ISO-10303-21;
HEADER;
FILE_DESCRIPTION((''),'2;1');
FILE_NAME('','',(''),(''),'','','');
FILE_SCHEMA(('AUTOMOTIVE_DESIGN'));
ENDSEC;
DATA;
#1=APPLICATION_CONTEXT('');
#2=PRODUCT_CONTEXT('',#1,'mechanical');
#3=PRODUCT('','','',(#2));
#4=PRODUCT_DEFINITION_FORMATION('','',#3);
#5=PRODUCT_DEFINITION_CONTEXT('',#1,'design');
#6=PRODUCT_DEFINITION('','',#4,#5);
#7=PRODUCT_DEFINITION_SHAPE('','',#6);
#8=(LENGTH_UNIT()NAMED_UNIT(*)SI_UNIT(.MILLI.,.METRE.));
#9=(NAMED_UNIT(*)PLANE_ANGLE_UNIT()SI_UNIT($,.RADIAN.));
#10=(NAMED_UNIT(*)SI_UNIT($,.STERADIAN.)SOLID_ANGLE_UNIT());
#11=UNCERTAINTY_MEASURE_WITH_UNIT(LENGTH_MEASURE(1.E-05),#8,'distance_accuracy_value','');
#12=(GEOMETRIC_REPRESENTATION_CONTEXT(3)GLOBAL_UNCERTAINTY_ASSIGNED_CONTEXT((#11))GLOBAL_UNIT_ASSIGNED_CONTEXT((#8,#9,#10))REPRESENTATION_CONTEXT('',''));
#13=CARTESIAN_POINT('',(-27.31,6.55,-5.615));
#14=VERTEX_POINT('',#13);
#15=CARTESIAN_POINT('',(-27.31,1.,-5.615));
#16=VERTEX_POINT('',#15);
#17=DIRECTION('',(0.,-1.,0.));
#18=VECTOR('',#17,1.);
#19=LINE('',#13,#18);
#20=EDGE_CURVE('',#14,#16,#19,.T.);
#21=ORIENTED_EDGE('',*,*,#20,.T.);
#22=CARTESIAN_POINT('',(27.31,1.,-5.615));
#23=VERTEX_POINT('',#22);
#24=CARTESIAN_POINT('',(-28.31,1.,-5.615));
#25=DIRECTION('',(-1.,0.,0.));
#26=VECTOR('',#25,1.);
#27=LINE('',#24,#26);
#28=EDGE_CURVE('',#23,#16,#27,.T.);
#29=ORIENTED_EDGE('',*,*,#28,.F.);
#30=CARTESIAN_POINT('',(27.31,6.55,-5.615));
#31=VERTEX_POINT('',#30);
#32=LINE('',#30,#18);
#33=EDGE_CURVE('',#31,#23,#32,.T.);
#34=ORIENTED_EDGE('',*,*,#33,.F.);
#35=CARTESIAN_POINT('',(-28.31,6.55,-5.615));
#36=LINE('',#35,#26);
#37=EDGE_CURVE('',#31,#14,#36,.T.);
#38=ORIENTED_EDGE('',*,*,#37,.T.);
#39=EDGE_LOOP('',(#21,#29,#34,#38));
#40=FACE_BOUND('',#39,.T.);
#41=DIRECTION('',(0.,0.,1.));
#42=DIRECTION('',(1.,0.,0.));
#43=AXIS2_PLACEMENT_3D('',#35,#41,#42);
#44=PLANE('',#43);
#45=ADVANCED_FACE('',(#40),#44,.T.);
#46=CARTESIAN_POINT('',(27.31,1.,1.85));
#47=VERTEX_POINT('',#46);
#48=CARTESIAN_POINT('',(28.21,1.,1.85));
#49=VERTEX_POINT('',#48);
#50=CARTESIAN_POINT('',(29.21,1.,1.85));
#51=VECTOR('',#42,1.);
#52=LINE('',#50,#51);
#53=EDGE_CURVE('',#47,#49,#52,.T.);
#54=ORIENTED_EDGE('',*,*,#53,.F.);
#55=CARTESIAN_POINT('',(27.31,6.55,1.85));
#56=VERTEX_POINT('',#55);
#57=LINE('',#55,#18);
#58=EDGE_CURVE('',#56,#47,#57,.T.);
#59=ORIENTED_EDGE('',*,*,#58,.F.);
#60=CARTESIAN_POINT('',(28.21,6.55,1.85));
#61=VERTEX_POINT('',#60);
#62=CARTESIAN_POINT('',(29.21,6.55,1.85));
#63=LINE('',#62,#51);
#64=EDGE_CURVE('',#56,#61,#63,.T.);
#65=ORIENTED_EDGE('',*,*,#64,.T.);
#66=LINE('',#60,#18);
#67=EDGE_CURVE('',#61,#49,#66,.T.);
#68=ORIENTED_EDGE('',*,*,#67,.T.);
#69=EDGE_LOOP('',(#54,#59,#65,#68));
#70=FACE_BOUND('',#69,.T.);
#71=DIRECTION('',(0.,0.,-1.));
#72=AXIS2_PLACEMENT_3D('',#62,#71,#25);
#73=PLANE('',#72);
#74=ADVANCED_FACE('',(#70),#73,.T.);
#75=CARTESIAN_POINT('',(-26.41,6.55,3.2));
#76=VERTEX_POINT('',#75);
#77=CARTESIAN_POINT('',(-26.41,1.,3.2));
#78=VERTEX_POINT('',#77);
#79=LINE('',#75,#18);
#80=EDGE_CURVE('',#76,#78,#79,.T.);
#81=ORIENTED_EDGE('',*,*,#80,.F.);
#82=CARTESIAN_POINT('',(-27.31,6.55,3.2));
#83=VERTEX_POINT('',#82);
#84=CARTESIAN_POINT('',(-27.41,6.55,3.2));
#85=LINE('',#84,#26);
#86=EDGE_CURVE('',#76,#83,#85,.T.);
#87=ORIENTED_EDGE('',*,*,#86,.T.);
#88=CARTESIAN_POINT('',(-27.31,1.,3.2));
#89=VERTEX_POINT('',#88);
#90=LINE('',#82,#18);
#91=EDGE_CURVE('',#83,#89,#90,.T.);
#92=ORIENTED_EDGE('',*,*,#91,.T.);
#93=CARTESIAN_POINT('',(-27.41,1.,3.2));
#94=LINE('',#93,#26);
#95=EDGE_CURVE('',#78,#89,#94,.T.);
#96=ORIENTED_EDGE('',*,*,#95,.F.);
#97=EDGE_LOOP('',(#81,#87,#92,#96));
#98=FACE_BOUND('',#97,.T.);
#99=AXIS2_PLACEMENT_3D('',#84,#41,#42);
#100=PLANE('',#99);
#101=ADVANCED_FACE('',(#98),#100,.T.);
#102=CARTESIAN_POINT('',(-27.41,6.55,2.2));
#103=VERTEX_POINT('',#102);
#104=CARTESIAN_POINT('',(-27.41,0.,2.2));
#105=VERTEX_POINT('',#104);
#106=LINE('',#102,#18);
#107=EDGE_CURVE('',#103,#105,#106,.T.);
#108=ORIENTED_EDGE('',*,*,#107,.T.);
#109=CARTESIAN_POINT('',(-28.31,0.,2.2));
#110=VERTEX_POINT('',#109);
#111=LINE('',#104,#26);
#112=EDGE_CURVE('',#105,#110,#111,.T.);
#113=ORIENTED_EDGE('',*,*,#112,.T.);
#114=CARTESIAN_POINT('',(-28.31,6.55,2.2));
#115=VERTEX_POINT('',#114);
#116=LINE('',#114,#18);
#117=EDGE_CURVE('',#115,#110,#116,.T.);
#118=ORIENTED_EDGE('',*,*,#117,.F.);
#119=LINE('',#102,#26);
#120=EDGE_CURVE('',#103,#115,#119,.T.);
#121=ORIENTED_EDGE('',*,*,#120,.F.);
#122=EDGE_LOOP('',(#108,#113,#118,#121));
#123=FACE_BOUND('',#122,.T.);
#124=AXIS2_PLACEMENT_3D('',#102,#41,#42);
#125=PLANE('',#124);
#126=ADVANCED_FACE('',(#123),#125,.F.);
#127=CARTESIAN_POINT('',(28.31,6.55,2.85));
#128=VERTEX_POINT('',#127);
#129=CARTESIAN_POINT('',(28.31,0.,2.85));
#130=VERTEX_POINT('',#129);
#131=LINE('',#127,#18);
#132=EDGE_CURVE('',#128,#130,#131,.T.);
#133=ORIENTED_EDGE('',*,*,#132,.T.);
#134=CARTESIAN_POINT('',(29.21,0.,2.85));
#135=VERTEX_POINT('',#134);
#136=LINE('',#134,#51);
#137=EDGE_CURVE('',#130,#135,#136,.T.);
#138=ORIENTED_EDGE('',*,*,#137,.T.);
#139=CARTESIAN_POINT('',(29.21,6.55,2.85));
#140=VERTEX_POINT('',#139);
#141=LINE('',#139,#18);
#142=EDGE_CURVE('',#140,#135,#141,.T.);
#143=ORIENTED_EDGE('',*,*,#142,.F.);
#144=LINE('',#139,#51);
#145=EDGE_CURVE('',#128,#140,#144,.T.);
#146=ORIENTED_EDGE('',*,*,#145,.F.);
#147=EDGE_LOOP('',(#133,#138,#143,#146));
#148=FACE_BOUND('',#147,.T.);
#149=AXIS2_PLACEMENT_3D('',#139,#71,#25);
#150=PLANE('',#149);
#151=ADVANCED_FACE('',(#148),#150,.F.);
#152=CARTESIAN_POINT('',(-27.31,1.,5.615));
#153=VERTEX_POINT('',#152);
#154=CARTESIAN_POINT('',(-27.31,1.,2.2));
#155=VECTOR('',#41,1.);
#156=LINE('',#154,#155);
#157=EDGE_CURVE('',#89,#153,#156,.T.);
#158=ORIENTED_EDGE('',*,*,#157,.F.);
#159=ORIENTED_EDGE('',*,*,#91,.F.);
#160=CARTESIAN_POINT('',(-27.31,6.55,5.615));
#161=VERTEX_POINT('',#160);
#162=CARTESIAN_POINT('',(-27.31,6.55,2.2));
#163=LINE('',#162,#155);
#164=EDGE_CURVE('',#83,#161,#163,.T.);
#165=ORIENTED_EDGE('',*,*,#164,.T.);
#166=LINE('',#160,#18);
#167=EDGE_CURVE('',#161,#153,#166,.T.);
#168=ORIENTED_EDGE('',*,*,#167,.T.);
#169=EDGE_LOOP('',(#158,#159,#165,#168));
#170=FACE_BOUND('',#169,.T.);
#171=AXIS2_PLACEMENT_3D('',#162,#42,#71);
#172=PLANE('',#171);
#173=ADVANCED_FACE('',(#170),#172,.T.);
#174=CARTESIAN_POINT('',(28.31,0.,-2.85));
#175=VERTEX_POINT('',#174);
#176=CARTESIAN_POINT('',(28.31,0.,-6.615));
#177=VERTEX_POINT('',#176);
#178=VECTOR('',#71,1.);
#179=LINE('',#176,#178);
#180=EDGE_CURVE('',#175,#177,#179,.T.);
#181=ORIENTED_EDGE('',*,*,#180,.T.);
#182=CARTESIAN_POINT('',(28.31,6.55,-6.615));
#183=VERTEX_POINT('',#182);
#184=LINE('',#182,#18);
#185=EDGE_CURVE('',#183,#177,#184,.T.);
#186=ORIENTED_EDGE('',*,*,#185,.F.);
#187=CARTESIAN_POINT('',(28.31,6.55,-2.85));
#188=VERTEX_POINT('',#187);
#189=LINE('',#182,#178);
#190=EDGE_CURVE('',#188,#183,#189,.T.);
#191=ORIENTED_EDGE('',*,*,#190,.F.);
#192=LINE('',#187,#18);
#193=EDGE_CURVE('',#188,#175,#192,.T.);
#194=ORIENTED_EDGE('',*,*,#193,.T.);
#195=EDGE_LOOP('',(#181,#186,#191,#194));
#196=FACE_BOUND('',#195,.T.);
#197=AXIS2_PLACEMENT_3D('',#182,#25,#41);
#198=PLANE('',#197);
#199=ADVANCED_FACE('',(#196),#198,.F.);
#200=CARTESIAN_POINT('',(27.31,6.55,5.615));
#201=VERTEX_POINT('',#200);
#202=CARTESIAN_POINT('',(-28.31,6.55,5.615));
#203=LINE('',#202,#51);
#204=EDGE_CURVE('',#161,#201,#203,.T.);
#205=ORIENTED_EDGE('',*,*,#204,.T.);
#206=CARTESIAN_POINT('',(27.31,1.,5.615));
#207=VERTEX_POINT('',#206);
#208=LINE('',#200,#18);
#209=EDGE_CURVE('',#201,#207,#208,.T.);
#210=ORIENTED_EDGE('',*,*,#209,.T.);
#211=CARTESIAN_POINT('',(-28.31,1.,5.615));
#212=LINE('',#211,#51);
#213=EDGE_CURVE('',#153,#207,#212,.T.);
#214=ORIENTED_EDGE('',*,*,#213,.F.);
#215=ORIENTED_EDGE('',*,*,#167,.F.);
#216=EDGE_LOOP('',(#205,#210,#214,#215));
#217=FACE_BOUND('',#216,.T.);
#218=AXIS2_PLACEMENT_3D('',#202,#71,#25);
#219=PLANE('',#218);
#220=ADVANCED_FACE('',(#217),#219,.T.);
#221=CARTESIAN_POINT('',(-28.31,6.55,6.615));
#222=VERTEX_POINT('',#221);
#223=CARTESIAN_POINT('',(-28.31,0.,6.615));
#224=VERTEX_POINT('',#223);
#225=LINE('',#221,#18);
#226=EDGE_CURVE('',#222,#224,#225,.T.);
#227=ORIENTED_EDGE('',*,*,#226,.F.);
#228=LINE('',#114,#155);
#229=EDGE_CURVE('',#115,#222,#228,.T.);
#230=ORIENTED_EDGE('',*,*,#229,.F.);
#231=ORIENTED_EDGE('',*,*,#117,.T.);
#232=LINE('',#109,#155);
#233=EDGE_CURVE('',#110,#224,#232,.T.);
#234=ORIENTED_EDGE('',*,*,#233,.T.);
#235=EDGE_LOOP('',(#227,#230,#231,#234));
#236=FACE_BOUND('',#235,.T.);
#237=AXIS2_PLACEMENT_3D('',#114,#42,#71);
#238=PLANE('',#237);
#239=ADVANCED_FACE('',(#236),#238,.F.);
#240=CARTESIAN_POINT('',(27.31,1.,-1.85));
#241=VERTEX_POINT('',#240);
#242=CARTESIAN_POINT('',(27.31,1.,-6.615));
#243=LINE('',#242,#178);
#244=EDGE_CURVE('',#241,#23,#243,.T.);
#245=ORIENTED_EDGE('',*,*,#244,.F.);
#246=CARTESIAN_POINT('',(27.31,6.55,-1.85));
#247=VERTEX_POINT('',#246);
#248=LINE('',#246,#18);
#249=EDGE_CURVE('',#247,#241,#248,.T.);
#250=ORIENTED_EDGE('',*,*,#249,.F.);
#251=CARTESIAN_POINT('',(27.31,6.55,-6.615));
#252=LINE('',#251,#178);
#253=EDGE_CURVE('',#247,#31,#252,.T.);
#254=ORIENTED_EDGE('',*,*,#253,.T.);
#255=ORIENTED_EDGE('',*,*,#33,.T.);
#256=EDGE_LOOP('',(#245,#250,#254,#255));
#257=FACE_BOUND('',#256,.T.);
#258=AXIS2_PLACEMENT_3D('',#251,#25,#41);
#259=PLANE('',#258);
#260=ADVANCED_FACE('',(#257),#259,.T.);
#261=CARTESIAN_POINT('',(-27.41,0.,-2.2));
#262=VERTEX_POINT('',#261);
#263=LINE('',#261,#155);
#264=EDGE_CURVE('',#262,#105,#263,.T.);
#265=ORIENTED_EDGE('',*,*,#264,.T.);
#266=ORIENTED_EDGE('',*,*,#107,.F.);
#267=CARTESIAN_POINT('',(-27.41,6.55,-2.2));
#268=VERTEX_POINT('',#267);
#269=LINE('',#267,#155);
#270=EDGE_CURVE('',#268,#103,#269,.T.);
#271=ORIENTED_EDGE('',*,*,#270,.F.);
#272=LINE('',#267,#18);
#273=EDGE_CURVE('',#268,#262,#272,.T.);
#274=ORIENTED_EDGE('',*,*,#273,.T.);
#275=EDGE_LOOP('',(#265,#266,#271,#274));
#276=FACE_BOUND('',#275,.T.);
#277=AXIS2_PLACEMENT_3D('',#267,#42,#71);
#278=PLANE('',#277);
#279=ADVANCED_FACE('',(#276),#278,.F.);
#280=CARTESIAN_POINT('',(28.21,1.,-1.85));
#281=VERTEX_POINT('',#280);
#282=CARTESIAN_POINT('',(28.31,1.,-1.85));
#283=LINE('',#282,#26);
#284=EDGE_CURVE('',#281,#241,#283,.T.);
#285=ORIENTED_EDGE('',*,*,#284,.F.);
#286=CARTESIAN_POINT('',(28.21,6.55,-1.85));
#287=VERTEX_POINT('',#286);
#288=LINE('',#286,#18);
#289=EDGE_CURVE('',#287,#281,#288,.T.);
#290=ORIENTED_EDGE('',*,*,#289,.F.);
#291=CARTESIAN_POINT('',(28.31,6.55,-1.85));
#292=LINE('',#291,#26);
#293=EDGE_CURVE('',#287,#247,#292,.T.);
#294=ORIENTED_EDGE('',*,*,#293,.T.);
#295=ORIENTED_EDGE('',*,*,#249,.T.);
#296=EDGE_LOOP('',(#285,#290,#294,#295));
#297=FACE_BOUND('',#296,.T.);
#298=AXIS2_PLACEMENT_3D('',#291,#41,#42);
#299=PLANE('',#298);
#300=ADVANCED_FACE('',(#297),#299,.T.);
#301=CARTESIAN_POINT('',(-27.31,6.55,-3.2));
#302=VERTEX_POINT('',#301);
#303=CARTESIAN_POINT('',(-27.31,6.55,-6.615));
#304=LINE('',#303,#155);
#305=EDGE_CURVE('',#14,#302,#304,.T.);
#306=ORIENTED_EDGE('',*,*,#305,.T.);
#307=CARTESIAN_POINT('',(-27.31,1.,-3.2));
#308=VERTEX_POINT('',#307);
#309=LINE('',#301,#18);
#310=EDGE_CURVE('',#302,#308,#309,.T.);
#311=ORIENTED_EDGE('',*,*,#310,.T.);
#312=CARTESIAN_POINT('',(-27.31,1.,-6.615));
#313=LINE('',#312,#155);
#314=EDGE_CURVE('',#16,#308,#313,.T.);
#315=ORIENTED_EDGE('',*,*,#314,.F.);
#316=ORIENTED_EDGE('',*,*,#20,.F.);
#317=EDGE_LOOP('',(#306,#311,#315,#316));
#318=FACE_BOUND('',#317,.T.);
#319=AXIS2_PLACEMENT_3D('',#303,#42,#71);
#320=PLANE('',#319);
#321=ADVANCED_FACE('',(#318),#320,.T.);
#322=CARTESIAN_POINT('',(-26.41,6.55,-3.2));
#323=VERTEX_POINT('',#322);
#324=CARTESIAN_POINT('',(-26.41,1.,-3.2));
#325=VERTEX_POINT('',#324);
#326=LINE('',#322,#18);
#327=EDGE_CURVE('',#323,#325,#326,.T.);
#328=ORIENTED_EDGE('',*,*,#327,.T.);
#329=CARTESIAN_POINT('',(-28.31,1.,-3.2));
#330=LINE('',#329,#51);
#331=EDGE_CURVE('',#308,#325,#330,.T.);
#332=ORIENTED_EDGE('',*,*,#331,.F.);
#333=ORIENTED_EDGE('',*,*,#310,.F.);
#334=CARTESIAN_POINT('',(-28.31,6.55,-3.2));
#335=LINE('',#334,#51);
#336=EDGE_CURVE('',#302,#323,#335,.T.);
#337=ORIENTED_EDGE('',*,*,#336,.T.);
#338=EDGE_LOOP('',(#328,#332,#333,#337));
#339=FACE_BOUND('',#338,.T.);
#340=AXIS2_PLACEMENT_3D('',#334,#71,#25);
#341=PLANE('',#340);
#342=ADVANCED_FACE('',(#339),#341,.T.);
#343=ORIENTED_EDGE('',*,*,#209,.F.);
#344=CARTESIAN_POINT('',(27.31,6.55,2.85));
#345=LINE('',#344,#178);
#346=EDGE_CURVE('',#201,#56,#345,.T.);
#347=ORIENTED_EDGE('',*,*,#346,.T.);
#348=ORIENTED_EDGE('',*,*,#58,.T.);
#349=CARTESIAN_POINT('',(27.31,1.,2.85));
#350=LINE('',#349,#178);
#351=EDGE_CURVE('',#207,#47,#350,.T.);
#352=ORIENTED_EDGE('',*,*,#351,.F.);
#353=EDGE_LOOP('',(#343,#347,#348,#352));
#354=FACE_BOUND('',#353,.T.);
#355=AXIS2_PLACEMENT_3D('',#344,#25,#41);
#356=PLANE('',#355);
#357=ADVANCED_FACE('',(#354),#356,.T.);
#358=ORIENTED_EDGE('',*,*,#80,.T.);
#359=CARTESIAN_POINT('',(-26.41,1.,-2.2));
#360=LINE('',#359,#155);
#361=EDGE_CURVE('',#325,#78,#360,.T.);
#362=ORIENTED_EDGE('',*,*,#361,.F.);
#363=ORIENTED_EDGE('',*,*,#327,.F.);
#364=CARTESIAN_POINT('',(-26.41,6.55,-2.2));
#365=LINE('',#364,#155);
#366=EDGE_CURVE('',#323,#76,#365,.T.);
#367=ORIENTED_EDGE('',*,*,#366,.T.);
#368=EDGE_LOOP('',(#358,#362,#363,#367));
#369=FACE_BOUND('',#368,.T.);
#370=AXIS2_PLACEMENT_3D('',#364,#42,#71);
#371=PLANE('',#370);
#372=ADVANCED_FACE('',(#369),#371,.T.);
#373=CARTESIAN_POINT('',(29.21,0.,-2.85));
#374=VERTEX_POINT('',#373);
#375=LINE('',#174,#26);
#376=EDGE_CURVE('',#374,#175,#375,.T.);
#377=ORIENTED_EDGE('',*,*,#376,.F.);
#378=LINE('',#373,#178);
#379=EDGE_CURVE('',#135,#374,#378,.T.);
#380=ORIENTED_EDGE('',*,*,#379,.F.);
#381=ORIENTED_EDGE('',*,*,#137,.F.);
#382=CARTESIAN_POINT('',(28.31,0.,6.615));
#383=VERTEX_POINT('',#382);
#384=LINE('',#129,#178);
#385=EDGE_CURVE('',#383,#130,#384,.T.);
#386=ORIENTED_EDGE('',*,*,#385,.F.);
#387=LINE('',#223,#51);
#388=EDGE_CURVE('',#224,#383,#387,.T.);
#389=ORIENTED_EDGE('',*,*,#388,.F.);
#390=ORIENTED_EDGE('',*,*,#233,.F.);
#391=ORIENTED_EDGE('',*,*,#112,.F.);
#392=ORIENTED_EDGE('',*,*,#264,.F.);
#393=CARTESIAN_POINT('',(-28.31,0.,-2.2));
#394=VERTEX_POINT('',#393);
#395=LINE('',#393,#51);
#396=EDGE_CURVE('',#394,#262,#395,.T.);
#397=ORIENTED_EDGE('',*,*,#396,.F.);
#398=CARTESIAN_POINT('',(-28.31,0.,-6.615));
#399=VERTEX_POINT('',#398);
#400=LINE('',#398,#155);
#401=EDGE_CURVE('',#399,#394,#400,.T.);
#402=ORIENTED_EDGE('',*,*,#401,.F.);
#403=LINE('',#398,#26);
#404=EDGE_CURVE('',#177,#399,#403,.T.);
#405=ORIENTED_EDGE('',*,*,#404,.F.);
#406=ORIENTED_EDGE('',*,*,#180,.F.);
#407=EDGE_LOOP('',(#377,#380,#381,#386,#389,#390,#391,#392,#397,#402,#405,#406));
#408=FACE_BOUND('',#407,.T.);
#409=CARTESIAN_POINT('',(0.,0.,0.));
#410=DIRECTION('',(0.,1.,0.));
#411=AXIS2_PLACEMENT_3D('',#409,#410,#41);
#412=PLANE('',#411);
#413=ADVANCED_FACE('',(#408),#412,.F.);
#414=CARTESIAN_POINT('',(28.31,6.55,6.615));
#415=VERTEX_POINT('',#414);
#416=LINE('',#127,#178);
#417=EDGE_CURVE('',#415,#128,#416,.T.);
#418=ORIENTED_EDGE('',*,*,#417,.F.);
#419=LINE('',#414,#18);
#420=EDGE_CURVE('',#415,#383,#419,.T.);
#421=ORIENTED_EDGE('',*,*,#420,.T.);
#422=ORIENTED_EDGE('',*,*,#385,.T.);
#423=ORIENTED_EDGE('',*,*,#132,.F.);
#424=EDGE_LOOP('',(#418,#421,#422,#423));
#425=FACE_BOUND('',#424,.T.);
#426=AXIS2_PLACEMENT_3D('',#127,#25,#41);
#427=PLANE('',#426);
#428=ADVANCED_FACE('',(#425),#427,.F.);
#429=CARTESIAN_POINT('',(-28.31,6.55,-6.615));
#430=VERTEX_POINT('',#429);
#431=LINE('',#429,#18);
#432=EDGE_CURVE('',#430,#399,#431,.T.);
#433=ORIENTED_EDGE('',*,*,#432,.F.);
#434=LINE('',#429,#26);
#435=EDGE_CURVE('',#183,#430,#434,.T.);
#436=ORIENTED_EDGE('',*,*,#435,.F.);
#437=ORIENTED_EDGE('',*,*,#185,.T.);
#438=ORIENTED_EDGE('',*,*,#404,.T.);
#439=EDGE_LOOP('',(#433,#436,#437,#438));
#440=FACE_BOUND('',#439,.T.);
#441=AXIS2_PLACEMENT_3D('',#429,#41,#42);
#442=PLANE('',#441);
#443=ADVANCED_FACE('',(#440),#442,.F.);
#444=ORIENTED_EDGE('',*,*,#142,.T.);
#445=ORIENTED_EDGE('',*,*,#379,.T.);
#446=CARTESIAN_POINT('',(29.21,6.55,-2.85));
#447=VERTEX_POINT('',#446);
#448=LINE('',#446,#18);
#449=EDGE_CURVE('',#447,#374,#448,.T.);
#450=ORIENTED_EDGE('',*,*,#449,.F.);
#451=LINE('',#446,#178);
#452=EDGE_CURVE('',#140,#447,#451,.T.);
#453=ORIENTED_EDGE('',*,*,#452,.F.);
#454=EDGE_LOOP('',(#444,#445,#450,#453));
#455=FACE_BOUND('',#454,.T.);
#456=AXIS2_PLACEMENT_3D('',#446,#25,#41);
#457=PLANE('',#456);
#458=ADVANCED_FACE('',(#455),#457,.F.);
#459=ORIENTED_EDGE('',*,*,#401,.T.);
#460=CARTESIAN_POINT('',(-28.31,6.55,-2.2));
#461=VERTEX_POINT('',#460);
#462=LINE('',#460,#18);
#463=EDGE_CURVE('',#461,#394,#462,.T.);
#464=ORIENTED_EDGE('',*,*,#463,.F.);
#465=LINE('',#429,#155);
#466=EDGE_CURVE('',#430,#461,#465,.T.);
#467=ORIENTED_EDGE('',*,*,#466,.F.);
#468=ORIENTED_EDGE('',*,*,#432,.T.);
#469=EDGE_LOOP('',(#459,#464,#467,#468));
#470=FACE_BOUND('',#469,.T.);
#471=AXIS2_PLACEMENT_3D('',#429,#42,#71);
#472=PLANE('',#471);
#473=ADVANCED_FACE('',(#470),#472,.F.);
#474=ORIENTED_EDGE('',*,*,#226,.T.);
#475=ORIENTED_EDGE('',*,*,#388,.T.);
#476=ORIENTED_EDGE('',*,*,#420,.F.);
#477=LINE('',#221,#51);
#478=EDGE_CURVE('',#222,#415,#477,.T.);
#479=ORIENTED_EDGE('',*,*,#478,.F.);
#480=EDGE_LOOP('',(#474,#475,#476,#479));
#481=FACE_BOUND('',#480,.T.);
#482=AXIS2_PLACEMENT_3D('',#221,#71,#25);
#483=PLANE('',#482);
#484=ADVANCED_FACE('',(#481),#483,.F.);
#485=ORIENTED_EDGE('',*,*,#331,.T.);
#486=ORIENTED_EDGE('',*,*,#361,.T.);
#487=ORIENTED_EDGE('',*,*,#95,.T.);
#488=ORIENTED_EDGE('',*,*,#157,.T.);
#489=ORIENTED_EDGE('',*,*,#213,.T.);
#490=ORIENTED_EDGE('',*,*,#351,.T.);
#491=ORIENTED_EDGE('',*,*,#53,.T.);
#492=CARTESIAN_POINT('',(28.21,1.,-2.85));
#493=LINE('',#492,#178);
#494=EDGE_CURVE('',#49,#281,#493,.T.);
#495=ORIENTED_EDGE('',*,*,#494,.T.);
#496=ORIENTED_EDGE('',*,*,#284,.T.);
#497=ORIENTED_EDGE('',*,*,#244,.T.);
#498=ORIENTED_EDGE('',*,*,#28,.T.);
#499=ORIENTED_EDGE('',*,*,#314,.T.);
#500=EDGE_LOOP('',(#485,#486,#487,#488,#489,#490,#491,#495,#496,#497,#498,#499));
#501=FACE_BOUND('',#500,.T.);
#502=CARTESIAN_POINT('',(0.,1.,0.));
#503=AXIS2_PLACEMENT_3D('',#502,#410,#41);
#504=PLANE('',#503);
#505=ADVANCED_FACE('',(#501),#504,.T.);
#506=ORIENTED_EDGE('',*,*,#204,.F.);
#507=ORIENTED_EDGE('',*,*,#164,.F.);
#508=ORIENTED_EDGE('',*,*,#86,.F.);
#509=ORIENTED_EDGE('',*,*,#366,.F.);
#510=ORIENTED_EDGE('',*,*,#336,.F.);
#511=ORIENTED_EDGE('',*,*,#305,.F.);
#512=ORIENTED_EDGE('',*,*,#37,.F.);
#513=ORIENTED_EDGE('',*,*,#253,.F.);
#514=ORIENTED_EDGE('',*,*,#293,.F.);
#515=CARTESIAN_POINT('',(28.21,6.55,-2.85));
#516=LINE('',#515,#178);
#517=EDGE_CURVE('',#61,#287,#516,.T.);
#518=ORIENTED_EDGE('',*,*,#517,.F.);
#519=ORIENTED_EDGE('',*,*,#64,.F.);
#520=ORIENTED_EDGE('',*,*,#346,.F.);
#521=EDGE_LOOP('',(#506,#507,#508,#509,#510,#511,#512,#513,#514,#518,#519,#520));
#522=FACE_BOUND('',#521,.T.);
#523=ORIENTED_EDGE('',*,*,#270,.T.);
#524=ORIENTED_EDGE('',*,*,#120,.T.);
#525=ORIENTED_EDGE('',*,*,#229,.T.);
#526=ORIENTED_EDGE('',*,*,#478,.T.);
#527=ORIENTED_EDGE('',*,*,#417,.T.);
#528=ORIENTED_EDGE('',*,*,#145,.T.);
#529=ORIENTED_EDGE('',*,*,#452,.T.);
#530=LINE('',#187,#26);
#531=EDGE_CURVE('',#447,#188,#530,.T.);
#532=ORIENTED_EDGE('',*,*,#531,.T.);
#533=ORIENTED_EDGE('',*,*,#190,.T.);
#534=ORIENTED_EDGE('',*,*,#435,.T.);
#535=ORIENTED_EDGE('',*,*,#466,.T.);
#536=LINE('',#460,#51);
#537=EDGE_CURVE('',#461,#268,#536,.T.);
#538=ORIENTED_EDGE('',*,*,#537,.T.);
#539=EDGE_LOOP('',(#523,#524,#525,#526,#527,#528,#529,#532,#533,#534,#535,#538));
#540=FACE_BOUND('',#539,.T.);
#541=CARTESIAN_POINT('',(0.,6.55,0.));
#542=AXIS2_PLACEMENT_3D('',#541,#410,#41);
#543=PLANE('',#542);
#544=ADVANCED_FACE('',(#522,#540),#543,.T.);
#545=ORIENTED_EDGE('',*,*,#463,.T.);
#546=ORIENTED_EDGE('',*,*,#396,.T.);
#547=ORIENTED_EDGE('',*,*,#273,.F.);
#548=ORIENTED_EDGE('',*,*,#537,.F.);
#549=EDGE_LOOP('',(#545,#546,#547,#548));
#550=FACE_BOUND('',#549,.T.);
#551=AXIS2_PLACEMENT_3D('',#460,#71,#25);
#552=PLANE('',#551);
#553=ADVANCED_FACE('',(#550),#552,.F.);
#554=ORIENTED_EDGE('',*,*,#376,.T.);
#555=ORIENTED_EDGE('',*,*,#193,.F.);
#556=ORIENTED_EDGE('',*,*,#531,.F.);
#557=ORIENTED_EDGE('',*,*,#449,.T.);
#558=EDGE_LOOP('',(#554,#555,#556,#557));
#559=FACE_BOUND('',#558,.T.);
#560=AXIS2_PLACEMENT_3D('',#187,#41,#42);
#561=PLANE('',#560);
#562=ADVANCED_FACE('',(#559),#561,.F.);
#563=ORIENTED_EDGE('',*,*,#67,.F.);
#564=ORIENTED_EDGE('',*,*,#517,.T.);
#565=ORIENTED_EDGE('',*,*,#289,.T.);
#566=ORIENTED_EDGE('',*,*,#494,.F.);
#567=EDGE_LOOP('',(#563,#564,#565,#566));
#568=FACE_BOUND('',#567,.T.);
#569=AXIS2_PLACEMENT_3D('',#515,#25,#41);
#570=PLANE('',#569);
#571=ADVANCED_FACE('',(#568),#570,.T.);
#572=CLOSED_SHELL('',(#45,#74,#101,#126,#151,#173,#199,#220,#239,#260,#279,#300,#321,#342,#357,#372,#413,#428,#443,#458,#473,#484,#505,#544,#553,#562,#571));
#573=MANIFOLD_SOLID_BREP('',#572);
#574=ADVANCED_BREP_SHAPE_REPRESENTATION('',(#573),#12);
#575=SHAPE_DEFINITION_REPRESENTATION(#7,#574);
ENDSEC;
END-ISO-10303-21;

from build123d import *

# Parameters (mm, degrees)
BOSS_EXTRUDE1_DEPTH = 6.55
SHELL1_T            = -1


with BuildPart() as part:
    # Sketch1 → Boss-Extrude1 (new body)
    with BuildSketch(Plane(origin=(0, 0, 0), x_dir=(1, 0, 0), z_dir=(0, 1, 0))):
        Polygon((28.31, 6.615), (28.31, 2.85), (29.21, 2.85), (29.21, -2.85), (28.31, -2.85), (28.31, -6.615), (-28.31, -6.615), (-28.31, -2.2), (-27.41, -2.2), (-27.41, 2.2), (-28.31, 2.2), (-28.31, 6.615), align=None)
    extrude(amount=BOSS_EXTRUDE1_DEPTH)

    # Shell1
    shell1_openings = [part.faces().sort_by_distance(p)[0] for p in [
        (0.3, 6.55, 0),
    ]]
    offset(amount=SHELL1_T, openings=shell1_openings, kind=Kind.INTERSECTION)


solid = part.part
